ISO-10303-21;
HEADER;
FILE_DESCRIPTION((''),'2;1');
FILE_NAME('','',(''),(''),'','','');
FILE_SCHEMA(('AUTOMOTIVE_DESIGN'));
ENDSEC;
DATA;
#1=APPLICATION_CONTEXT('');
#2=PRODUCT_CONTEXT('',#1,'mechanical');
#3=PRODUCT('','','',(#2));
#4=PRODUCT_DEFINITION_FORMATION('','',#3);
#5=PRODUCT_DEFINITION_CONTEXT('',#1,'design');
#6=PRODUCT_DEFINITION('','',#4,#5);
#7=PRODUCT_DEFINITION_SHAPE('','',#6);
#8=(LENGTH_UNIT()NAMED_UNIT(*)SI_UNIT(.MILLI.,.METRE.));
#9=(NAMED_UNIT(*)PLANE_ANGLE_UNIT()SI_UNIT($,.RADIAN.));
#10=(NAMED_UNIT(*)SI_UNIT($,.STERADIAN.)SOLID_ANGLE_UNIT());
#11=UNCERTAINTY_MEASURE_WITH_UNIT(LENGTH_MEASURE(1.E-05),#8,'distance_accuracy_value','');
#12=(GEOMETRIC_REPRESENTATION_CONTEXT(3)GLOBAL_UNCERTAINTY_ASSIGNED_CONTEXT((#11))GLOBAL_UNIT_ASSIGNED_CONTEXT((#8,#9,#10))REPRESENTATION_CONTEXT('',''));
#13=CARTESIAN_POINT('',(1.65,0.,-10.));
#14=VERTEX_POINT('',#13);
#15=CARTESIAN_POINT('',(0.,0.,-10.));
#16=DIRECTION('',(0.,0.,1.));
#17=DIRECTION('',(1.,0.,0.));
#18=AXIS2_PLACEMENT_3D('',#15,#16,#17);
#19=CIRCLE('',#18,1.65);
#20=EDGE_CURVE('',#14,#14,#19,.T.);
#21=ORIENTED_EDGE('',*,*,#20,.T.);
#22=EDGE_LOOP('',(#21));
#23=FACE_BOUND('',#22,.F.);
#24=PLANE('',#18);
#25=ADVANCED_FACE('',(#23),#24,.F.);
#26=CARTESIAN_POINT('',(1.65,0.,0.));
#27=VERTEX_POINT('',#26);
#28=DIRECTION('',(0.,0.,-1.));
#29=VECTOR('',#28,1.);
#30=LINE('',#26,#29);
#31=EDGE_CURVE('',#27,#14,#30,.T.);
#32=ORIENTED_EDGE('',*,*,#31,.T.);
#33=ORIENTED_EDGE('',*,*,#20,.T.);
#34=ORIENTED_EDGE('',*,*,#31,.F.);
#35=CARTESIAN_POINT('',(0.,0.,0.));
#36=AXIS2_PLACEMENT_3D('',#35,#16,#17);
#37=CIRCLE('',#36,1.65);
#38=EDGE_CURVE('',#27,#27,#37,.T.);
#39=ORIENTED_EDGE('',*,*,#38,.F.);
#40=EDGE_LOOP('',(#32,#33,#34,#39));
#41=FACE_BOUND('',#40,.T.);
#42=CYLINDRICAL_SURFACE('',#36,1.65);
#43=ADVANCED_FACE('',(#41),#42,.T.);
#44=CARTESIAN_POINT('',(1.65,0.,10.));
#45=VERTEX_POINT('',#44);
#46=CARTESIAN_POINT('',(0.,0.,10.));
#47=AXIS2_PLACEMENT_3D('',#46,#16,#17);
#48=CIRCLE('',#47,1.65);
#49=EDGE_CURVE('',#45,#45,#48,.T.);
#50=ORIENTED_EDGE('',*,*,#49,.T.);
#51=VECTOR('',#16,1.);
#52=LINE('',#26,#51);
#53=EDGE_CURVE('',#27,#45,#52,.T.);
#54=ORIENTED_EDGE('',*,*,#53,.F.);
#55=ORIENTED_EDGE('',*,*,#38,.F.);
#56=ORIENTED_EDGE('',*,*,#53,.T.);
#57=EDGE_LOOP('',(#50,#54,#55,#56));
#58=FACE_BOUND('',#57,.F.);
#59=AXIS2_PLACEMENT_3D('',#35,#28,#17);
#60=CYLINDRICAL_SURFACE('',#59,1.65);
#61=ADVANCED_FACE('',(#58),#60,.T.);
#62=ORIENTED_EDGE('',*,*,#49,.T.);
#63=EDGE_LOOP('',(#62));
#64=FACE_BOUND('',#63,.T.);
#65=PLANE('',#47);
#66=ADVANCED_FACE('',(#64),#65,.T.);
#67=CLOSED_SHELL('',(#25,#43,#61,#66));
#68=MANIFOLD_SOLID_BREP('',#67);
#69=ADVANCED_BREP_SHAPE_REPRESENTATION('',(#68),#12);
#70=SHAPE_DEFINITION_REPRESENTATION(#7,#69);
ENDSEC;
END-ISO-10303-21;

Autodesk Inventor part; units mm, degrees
ref_plane "YZ Plane" through (0, 0, 0) normal (1, 0, 0) x (0, 1, 0)
ref_plane "XZ Plane" through (0, 0, 0) normal (0, 1, 0) x (-1, 0, 0)
ref_plane "XY Plane" through (0, 0, 0) normal (0, 0, 1) x (1, 0, 0)
sketch "Sketch1" plane through (0, 0, 0) normal (0, 0, 1) x (1, 0, 0)
  circle A0 centre (0, 0) radius 1.65
  dimension "d0" = 3.3
extrude "Extrusion1" add sketch "Sketch1" along normal mid plane 20
